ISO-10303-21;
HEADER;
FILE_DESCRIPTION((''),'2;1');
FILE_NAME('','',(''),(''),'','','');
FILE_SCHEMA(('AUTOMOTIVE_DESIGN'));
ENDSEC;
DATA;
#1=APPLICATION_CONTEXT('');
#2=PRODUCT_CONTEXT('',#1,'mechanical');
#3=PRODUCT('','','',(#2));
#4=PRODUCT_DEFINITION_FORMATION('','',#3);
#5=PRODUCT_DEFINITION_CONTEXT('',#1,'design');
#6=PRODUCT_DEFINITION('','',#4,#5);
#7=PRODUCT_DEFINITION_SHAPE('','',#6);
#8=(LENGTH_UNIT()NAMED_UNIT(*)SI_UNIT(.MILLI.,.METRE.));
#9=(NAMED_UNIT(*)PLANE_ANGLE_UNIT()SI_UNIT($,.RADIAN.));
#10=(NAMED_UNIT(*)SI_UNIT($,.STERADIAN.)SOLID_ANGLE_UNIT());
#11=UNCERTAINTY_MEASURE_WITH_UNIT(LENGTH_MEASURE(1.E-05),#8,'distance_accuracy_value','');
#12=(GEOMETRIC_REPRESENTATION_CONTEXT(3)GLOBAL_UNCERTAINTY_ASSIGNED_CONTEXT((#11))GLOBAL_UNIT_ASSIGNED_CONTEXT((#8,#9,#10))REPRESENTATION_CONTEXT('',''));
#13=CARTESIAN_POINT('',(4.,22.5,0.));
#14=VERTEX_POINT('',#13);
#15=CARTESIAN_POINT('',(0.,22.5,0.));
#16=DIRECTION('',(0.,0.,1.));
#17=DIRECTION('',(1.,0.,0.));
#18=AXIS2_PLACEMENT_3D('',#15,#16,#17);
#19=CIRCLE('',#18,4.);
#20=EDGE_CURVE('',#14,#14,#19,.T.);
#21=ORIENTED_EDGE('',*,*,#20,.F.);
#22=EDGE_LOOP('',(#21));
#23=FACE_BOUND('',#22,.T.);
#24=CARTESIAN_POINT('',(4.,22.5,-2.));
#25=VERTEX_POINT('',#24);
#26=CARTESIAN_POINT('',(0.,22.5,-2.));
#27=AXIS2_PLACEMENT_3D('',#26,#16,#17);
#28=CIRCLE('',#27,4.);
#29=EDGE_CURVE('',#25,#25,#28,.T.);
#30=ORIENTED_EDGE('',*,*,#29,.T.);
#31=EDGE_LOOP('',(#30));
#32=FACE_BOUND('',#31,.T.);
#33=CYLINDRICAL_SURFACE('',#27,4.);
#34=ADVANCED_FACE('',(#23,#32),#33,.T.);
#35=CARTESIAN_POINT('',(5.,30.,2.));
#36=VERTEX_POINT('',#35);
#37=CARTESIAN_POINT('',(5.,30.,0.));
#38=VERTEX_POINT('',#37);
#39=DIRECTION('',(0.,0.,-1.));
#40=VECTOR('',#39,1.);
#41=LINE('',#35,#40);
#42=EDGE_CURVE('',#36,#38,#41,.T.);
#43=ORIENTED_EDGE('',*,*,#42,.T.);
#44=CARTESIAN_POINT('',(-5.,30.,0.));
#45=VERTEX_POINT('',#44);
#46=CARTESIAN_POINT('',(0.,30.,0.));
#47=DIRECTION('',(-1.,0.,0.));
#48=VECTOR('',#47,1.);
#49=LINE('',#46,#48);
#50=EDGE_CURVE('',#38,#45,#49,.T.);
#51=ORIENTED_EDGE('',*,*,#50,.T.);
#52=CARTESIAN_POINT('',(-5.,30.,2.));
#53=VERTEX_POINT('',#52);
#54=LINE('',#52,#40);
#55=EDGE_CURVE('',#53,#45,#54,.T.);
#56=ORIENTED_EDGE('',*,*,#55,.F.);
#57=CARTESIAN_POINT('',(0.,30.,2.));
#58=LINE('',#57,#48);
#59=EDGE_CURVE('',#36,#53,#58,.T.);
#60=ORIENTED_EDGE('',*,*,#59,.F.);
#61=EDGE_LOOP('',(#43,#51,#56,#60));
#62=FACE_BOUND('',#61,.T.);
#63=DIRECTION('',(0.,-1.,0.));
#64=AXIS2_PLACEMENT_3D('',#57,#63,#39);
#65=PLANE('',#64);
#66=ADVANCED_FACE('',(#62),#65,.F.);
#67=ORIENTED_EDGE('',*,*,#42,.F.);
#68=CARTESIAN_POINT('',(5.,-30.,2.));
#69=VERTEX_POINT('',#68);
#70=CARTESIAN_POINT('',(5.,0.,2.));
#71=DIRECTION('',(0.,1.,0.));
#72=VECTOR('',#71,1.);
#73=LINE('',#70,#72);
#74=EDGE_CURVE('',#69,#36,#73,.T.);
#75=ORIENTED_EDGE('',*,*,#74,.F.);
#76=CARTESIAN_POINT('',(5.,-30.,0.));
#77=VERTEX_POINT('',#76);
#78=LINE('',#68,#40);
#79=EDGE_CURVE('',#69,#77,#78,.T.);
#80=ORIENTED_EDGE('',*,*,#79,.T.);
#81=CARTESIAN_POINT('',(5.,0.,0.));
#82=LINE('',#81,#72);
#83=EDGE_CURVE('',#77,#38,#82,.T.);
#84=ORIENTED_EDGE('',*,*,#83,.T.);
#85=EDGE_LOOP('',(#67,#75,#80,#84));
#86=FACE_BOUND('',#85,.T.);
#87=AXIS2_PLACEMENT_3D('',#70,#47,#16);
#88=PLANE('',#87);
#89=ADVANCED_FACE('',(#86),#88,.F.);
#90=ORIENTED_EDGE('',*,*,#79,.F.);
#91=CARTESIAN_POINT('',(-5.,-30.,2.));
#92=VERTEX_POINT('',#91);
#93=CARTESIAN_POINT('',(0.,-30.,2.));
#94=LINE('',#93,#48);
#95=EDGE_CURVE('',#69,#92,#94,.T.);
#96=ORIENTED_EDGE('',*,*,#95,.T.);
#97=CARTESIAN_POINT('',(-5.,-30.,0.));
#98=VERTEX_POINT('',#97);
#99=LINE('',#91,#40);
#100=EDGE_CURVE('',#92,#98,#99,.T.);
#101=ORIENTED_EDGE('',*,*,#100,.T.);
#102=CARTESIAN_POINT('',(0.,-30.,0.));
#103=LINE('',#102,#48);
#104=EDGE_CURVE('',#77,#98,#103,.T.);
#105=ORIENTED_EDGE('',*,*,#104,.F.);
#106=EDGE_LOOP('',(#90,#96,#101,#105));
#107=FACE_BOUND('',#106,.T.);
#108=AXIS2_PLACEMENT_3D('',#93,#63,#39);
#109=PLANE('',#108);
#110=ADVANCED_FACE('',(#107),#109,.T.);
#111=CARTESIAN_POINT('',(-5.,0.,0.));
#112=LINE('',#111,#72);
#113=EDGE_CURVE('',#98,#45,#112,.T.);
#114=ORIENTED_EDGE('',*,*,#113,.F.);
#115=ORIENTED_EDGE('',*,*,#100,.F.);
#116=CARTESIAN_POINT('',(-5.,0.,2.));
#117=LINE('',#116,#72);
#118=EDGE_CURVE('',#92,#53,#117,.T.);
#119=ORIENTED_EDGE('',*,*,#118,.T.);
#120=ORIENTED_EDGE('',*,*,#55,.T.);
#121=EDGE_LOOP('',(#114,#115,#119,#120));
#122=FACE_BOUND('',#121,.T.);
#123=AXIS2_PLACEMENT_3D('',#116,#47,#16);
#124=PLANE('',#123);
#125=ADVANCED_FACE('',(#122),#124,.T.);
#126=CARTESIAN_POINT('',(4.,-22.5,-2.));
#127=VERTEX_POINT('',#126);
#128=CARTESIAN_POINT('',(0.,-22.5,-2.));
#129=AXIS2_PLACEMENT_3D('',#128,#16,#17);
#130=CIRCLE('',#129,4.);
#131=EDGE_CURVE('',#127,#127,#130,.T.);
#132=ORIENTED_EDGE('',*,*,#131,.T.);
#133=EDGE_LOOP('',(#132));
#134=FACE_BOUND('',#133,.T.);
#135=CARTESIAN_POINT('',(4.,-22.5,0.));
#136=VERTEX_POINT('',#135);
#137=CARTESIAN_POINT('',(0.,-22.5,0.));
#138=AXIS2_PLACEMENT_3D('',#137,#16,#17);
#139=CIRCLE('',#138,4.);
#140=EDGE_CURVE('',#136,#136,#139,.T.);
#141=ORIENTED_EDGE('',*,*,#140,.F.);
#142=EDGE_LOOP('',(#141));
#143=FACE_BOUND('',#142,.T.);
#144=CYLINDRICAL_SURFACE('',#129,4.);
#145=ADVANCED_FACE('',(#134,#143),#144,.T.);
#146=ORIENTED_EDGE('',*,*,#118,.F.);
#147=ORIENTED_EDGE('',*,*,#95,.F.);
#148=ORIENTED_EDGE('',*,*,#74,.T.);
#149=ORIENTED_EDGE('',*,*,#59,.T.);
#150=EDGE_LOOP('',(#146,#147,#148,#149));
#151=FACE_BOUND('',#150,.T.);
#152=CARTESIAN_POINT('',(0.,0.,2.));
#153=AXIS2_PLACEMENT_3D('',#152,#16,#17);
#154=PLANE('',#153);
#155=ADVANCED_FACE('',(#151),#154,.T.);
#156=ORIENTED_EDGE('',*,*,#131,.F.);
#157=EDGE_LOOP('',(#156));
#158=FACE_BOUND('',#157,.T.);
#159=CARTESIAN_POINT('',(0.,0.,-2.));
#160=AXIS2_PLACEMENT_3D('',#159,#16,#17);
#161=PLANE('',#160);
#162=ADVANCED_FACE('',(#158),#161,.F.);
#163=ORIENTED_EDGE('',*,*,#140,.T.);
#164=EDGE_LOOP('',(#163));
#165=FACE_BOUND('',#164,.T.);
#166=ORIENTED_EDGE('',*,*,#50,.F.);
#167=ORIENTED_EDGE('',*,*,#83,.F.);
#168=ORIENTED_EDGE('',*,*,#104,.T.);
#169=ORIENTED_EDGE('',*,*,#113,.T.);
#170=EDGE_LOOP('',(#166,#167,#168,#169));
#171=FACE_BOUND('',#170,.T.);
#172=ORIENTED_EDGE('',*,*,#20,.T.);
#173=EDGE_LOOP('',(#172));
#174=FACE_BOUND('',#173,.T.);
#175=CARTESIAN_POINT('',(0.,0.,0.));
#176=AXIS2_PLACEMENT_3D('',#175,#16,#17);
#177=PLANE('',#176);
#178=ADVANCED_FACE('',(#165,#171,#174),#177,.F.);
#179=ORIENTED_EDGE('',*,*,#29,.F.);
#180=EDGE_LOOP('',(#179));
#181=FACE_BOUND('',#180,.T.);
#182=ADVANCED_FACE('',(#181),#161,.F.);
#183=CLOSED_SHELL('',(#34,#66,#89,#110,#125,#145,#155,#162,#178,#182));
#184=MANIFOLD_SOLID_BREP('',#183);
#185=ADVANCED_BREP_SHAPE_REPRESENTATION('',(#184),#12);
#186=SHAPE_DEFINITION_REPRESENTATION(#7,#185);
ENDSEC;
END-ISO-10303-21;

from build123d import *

# Parameters (mm, degrees)
SKETCH1_W           = 10
SKETCH1_H           = 60
BOSS_EXTRUDE1_DEPTH = 2
SKETCH1_3_R         = 4
BOSS_EXTRUDE2_DEPTH = 2


with BuildPart() as part:
    # Sketch1 → Boss-Extrude1 (new body)
    with BuildSketch(Plane.XY):
        Rectangle(SKETCH1_W, SKETCH1_H)
    extrude(amount=BOSS_EXTRUDE1_DEPTH)

    # Sketch1<3> → Boss-Extrude2 (add)
    with BuildSketch(Plane.XY):
        with Locations((0, 22.5)):
            Circle(SKETCH1_3_R)
        with Locations((0, -22.5)):
            Circle(SKETCH1_3_R)
    extrude(amount=-BOSS_EXTRUDE2_DEPTH)


solid = part.part
